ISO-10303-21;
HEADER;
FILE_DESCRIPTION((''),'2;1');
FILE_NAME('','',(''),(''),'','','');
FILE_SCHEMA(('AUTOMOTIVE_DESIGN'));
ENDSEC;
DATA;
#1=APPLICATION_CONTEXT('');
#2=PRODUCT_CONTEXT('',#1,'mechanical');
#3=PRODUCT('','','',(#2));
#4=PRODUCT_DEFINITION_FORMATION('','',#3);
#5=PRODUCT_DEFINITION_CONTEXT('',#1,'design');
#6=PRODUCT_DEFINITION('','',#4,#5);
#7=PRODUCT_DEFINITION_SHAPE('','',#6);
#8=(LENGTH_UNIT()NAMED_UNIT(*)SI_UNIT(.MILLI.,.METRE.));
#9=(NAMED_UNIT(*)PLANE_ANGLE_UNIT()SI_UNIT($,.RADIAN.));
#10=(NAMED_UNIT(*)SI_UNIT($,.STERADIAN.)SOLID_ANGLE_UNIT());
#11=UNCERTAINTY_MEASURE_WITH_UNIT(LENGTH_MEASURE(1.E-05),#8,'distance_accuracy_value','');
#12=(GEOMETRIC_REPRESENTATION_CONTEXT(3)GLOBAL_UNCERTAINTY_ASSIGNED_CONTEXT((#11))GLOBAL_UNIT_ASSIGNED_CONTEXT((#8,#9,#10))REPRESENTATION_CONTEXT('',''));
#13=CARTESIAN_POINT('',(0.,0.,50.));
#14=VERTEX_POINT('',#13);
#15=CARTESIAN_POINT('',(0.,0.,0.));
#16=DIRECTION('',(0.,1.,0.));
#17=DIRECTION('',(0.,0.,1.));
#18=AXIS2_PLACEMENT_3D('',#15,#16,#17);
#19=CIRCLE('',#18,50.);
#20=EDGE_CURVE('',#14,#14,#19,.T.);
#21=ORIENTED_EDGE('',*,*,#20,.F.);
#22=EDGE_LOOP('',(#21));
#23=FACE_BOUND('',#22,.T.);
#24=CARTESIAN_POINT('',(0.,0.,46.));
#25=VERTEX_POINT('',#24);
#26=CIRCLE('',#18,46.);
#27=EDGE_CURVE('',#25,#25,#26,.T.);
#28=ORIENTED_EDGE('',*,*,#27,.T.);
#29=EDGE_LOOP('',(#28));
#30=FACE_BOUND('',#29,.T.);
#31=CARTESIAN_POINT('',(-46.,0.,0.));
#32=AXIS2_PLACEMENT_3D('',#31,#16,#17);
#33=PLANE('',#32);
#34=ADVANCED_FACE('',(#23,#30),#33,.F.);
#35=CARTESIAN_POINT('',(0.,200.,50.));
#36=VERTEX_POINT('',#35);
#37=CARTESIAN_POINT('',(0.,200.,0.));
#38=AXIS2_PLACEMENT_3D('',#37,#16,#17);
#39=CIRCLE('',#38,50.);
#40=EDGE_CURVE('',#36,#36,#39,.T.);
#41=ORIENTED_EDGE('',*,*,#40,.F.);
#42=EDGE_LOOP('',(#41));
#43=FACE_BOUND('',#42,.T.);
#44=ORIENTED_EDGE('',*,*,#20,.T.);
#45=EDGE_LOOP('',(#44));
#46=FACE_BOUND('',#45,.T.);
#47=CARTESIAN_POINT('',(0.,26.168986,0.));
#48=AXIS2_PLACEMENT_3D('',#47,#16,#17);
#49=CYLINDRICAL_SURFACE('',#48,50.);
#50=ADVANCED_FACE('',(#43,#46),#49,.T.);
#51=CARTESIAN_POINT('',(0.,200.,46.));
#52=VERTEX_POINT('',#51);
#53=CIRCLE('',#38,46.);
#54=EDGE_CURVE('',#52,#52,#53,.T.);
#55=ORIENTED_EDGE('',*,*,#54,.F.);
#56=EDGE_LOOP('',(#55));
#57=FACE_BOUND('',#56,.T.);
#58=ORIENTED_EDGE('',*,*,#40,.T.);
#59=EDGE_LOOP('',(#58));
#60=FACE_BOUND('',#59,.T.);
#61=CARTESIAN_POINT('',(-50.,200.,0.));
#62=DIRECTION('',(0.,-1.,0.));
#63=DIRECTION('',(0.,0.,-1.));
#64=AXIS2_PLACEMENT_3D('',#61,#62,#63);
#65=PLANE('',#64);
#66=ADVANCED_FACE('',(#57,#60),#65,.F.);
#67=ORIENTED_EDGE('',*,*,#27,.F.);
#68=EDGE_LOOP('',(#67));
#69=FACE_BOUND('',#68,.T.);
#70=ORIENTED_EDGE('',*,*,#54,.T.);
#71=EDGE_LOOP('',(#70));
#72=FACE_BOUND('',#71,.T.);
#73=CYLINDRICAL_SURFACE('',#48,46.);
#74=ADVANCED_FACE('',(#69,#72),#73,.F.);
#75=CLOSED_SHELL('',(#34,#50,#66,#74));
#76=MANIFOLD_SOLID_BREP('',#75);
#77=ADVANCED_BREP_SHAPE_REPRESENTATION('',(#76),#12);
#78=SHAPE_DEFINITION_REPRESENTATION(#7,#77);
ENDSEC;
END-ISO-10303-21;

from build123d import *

# Parameters (mm, degrees)
SKETCH_1_W = 4
SKETCH_1_H = 200


with BuildPart() as part:
    # Эскиз1 → Повернуть-Тонкостенный1 (revolve)
    with BuildSketch(Plane.XY):
        with Locations((-48, 100)):
            Rectangle(SKETCH_1_W, SKETCH_1_H)
    revolve(axis=Axis((0, 26.168985987, 0), (0, -1, 0)))


solid = part.part
